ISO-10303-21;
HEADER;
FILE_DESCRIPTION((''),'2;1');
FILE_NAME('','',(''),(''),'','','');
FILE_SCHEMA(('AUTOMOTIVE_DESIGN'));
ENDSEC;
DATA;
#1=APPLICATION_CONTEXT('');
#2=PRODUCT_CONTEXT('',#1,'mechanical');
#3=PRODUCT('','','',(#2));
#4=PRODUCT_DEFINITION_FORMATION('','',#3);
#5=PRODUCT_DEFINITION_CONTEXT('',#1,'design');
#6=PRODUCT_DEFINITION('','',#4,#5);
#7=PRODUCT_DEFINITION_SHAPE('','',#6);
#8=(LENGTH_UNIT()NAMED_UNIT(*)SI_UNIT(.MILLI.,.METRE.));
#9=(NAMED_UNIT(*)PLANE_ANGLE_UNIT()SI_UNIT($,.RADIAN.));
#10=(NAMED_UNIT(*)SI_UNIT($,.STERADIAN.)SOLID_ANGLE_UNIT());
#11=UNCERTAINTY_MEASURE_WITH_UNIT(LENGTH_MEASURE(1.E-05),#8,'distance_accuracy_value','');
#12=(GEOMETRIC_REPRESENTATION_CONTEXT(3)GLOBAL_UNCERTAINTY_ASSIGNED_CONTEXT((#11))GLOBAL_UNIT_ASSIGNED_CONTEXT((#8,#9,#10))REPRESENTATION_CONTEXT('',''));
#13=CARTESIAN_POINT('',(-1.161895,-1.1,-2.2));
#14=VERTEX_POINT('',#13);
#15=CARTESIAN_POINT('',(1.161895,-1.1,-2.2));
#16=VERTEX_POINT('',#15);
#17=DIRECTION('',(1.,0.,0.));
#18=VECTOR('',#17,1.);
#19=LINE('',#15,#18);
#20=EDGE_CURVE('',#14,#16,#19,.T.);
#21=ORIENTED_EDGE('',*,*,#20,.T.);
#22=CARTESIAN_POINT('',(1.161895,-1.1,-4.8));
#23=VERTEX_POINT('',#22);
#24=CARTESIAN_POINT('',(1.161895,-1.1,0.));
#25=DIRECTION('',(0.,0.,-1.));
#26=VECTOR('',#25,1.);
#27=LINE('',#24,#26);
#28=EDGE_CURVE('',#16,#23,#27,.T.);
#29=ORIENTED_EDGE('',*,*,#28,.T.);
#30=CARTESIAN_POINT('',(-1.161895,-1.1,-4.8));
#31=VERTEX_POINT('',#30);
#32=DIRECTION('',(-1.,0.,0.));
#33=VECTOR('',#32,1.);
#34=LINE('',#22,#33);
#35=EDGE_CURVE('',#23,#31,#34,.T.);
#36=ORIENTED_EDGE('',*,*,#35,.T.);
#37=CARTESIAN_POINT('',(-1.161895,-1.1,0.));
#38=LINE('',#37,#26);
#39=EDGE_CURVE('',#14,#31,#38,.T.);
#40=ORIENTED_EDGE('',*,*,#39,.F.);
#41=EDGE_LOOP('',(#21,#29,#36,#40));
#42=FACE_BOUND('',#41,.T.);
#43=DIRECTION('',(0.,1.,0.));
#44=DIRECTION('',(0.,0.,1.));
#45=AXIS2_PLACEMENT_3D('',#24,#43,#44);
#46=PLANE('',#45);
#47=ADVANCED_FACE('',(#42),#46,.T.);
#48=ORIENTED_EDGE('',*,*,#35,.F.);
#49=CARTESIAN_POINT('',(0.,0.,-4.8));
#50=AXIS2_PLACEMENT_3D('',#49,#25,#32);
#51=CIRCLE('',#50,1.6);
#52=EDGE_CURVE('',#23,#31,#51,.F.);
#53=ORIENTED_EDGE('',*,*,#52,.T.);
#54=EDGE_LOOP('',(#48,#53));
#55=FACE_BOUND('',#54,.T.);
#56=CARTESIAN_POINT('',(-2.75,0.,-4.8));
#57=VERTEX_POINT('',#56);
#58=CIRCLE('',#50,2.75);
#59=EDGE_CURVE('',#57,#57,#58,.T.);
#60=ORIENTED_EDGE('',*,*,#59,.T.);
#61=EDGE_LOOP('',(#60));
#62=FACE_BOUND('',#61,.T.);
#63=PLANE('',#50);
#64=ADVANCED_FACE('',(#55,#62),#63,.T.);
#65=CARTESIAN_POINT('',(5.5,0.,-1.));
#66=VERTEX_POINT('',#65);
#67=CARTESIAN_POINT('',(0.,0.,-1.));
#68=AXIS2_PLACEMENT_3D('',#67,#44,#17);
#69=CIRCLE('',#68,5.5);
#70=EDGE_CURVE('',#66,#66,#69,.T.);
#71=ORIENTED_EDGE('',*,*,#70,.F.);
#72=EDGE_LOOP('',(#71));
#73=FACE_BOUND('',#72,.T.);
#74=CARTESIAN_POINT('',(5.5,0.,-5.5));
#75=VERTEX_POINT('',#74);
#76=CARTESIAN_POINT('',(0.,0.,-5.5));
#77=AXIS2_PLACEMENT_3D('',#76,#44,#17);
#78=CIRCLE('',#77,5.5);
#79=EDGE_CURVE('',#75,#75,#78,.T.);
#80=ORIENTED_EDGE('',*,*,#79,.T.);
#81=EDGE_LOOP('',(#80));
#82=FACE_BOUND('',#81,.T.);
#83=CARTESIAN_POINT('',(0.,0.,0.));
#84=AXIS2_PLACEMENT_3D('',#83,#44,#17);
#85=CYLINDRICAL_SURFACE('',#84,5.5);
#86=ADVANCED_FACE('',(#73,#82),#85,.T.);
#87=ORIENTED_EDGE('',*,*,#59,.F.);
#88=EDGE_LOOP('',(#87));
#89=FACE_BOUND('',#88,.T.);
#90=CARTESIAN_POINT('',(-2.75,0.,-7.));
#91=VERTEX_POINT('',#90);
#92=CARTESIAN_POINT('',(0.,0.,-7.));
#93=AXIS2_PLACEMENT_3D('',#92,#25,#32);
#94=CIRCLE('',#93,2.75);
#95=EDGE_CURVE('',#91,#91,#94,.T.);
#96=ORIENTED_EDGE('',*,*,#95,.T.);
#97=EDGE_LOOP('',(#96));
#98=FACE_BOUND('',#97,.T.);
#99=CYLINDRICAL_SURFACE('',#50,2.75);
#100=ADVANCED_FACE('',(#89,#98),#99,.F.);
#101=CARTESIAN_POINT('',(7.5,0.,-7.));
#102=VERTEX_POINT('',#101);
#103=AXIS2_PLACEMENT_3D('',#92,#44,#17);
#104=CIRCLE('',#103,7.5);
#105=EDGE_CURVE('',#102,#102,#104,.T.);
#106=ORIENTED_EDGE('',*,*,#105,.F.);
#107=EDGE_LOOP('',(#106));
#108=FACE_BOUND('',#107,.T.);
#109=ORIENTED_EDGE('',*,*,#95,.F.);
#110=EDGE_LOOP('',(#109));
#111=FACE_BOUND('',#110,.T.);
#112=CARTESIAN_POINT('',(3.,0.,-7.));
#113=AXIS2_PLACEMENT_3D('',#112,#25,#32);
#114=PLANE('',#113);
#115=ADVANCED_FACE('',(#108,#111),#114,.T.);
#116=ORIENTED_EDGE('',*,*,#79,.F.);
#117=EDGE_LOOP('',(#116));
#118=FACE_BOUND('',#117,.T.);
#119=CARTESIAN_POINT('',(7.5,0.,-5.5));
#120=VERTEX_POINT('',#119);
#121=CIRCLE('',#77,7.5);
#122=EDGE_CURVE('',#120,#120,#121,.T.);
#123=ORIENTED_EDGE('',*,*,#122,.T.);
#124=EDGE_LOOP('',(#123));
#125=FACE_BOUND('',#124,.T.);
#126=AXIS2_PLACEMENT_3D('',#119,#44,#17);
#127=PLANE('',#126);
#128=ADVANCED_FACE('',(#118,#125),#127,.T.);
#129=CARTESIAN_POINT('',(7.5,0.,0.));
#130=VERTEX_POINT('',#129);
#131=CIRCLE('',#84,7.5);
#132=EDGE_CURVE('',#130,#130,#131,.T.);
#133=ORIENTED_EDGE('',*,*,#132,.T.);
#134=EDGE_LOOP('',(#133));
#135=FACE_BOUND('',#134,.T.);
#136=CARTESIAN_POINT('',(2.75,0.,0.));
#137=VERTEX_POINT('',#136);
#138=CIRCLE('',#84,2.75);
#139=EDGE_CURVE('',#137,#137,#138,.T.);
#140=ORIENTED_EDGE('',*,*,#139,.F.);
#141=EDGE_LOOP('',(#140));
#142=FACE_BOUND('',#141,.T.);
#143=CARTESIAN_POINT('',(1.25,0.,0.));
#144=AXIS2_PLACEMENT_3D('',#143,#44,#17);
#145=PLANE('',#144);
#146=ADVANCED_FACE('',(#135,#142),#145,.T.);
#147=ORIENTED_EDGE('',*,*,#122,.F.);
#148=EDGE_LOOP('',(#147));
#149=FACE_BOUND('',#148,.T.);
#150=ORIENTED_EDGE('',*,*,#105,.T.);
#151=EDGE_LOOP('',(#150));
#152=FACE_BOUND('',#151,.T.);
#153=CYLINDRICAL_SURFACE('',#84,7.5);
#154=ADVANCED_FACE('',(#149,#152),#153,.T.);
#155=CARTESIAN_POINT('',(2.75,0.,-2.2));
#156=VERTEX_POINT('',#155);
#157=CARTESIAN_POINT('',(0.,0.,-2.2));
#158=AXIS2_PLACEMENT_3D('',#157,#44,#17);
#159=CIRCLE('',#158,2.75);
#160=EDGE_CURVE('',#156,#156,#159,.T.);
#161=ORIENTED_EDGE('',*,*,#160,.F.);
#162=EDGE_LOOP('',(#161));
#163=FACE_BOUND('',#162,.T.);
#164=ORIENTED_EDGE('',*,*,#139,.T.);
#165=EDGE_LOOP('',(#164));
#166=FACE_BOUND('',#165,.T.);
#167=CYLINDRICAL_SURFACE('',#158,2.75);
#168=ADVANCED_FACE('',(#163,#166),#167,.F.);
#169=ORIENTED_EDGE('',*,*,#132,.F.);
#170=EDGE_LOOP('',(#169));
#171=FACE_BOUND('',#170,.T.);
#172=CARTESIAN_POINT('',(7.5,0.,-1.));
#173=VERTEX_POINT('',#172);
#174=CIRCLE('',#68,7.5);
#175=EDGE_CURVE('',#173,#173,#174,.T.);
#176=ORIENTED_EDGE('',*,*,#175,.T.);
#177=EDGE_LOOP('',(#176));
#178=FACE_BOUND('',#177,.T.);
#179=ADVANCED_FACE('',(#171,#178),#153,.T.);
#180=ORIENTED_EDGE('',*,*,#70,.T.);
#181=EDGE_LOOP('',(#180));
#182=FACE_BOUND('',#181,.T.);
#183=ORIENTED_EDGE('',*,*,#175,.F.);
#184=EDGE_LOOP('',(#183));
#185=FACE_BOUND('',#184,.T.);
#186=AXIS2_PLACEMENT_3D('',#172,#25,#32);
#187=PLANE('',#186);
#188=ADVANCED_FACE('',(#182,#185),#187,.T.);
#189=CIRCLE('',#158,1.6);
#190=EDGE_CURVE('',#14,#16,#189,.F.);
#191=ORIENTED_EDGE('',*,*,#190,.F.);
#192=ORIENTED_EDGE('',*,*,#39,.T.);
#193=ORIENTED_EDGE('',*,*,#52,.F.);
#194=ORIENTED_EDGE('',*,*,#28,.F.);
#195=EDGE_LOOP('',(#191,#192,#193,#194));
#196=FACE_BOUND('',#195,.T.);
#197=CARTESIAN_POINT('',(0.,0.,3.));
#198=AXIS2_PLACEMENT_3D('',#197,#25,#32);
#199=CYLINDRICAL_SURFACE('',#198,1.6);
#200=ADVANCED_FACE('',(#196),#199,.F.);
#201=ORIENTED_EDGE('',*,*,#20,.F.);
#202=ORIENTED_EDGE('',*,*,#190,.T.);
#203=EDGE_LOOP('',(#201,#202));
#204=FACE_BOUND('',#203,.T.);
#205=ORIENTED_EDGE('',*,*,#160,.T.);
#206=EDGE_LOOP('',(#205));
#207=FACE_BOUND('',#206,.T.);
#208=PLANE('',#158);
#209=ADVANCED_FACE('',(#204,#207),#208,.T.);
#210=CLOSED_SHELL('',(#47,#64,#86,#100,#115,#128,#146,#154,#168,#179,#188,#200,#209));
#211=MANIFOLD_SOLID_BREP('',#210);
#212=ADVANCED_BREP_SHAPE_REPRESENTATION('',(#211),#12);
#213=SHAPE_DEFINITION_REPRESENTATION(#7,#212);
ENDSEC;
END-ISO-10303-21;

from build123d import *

# Parameters (mm, degrees)
SKETCH2_R           = 3
CUT_EXTRUDE1_DEPTH  = 2
SKETCH3_R           = 2.25
SKETCH3_R_2         = 1.25
BOSS_EXTRUDE1_DEPTH = 5
SKETCH4_R           = 1.6
CUT_EXTRUDE2_DEPTH  = 10
BOSS_EXTRUDE2_DEPTH = 7
SKETCH6_R           = 2.75
CUT_EXTRUDE4_DEPTH  = 2.2
CUT_EXTRUDE5_START  = -2.2
SKETCH7_R           = 2.75
CUT_EXTRUDE5_DEPTH  = 2.2


with BuildPart() as part:
    # Sketch1 → Revolve1 (revolve)
    with BuildSketch(Plane(origin=(0, 0, 0), x_dir=(1, 0, 0), z_dir=(0, 1, 0))):
        Polygon((1.25, 0), (7.5, 0), (7.5, 1), (5.5, 1), (5.5, 5.5), (7.5, 5.5), (7.5, 7), (3, 7), (3, 9), (2.25, 9), (2.25, 2), (1.25, 2), align=None)
    revolve(axis=Axis((0, 0, 0), (0, 0, -1)))

    # Sketch2 → Cut-Extrude1 (cut)
    with BuildSketch(Plane(origin=(0, 0, -9), x_dir=(-1, 0, 0), z_dir=(0, 0, -1))):
        Circle(SKETCH2_R)
    extrude(amount=-CUT_EXTRUDE1_DEPTH, mode=Mode.SUBTRACT)

    # Sketch3 → Boss-Extrude1 (add)
    with BuildSketch(Plane(origin=(0, 0, -2), x_dir=(-1, 0, 0), z_dir=(0, 0, -1))):
        Circle(SKETCH3_R)
        Circle(SKETCH3_R_2, mode=Mode.SUBTRACT)
    extrude(amount=BOSS_EXTRUDE1_DEPTH)

    # Sketch4 → Cut-Extrude2 (cut)
    with BuildSketch(Plane(origin=(0, 0, -7), x_dir=(-1, 0, 0), z_dir=(0, 0, -1))):
        Circle(SKETCH4_R)
    extrude(amount=-CUT_EXTRUDE2_DEPTH, mode=Mode.SUBTRACT)

    # Sketch5 → Boss-Extrude2 (add)
    with BuildSketch(Plane(origin=(0, 0, -7), x_dir=(-1, 0, 0), z_dir=(0, 0, -1))):
        with BuildLine():
            Line((-1.161895004, -1.1), (1.161895004, -1.1))
            ThreePointArc((1.161895004, -1.1), (0, -1.6), (-1.161895004, -1.1))
        make_face()
    extrude(amount=-BOSS_EXTRUDE2_DEPTH)

    # Sketch6 → Cut-Extrude4 (cut)
    with BuildSketch(Plane.XY):
        Circle(SKETCH6_R)
    extrude(amount=-CUT_EXTRUDE4_DEPTH, mode=Mode.SUBTRACT)

    # Sketch7 → Cut-Extrude5 (cut)
    with BuildSketch(Plane(origin=(0, 0, -7), x_dir=(-1, 0, 0), z_dir=(0, 0, -1)).offset(CUT_EXTRUDE5_START)):
        Circle(SKETCH7_R)
    extrude(amount=CUT_EXTRUDE5_DEPTH, mode=Mode.SUBTRACT)


solid = part.part
